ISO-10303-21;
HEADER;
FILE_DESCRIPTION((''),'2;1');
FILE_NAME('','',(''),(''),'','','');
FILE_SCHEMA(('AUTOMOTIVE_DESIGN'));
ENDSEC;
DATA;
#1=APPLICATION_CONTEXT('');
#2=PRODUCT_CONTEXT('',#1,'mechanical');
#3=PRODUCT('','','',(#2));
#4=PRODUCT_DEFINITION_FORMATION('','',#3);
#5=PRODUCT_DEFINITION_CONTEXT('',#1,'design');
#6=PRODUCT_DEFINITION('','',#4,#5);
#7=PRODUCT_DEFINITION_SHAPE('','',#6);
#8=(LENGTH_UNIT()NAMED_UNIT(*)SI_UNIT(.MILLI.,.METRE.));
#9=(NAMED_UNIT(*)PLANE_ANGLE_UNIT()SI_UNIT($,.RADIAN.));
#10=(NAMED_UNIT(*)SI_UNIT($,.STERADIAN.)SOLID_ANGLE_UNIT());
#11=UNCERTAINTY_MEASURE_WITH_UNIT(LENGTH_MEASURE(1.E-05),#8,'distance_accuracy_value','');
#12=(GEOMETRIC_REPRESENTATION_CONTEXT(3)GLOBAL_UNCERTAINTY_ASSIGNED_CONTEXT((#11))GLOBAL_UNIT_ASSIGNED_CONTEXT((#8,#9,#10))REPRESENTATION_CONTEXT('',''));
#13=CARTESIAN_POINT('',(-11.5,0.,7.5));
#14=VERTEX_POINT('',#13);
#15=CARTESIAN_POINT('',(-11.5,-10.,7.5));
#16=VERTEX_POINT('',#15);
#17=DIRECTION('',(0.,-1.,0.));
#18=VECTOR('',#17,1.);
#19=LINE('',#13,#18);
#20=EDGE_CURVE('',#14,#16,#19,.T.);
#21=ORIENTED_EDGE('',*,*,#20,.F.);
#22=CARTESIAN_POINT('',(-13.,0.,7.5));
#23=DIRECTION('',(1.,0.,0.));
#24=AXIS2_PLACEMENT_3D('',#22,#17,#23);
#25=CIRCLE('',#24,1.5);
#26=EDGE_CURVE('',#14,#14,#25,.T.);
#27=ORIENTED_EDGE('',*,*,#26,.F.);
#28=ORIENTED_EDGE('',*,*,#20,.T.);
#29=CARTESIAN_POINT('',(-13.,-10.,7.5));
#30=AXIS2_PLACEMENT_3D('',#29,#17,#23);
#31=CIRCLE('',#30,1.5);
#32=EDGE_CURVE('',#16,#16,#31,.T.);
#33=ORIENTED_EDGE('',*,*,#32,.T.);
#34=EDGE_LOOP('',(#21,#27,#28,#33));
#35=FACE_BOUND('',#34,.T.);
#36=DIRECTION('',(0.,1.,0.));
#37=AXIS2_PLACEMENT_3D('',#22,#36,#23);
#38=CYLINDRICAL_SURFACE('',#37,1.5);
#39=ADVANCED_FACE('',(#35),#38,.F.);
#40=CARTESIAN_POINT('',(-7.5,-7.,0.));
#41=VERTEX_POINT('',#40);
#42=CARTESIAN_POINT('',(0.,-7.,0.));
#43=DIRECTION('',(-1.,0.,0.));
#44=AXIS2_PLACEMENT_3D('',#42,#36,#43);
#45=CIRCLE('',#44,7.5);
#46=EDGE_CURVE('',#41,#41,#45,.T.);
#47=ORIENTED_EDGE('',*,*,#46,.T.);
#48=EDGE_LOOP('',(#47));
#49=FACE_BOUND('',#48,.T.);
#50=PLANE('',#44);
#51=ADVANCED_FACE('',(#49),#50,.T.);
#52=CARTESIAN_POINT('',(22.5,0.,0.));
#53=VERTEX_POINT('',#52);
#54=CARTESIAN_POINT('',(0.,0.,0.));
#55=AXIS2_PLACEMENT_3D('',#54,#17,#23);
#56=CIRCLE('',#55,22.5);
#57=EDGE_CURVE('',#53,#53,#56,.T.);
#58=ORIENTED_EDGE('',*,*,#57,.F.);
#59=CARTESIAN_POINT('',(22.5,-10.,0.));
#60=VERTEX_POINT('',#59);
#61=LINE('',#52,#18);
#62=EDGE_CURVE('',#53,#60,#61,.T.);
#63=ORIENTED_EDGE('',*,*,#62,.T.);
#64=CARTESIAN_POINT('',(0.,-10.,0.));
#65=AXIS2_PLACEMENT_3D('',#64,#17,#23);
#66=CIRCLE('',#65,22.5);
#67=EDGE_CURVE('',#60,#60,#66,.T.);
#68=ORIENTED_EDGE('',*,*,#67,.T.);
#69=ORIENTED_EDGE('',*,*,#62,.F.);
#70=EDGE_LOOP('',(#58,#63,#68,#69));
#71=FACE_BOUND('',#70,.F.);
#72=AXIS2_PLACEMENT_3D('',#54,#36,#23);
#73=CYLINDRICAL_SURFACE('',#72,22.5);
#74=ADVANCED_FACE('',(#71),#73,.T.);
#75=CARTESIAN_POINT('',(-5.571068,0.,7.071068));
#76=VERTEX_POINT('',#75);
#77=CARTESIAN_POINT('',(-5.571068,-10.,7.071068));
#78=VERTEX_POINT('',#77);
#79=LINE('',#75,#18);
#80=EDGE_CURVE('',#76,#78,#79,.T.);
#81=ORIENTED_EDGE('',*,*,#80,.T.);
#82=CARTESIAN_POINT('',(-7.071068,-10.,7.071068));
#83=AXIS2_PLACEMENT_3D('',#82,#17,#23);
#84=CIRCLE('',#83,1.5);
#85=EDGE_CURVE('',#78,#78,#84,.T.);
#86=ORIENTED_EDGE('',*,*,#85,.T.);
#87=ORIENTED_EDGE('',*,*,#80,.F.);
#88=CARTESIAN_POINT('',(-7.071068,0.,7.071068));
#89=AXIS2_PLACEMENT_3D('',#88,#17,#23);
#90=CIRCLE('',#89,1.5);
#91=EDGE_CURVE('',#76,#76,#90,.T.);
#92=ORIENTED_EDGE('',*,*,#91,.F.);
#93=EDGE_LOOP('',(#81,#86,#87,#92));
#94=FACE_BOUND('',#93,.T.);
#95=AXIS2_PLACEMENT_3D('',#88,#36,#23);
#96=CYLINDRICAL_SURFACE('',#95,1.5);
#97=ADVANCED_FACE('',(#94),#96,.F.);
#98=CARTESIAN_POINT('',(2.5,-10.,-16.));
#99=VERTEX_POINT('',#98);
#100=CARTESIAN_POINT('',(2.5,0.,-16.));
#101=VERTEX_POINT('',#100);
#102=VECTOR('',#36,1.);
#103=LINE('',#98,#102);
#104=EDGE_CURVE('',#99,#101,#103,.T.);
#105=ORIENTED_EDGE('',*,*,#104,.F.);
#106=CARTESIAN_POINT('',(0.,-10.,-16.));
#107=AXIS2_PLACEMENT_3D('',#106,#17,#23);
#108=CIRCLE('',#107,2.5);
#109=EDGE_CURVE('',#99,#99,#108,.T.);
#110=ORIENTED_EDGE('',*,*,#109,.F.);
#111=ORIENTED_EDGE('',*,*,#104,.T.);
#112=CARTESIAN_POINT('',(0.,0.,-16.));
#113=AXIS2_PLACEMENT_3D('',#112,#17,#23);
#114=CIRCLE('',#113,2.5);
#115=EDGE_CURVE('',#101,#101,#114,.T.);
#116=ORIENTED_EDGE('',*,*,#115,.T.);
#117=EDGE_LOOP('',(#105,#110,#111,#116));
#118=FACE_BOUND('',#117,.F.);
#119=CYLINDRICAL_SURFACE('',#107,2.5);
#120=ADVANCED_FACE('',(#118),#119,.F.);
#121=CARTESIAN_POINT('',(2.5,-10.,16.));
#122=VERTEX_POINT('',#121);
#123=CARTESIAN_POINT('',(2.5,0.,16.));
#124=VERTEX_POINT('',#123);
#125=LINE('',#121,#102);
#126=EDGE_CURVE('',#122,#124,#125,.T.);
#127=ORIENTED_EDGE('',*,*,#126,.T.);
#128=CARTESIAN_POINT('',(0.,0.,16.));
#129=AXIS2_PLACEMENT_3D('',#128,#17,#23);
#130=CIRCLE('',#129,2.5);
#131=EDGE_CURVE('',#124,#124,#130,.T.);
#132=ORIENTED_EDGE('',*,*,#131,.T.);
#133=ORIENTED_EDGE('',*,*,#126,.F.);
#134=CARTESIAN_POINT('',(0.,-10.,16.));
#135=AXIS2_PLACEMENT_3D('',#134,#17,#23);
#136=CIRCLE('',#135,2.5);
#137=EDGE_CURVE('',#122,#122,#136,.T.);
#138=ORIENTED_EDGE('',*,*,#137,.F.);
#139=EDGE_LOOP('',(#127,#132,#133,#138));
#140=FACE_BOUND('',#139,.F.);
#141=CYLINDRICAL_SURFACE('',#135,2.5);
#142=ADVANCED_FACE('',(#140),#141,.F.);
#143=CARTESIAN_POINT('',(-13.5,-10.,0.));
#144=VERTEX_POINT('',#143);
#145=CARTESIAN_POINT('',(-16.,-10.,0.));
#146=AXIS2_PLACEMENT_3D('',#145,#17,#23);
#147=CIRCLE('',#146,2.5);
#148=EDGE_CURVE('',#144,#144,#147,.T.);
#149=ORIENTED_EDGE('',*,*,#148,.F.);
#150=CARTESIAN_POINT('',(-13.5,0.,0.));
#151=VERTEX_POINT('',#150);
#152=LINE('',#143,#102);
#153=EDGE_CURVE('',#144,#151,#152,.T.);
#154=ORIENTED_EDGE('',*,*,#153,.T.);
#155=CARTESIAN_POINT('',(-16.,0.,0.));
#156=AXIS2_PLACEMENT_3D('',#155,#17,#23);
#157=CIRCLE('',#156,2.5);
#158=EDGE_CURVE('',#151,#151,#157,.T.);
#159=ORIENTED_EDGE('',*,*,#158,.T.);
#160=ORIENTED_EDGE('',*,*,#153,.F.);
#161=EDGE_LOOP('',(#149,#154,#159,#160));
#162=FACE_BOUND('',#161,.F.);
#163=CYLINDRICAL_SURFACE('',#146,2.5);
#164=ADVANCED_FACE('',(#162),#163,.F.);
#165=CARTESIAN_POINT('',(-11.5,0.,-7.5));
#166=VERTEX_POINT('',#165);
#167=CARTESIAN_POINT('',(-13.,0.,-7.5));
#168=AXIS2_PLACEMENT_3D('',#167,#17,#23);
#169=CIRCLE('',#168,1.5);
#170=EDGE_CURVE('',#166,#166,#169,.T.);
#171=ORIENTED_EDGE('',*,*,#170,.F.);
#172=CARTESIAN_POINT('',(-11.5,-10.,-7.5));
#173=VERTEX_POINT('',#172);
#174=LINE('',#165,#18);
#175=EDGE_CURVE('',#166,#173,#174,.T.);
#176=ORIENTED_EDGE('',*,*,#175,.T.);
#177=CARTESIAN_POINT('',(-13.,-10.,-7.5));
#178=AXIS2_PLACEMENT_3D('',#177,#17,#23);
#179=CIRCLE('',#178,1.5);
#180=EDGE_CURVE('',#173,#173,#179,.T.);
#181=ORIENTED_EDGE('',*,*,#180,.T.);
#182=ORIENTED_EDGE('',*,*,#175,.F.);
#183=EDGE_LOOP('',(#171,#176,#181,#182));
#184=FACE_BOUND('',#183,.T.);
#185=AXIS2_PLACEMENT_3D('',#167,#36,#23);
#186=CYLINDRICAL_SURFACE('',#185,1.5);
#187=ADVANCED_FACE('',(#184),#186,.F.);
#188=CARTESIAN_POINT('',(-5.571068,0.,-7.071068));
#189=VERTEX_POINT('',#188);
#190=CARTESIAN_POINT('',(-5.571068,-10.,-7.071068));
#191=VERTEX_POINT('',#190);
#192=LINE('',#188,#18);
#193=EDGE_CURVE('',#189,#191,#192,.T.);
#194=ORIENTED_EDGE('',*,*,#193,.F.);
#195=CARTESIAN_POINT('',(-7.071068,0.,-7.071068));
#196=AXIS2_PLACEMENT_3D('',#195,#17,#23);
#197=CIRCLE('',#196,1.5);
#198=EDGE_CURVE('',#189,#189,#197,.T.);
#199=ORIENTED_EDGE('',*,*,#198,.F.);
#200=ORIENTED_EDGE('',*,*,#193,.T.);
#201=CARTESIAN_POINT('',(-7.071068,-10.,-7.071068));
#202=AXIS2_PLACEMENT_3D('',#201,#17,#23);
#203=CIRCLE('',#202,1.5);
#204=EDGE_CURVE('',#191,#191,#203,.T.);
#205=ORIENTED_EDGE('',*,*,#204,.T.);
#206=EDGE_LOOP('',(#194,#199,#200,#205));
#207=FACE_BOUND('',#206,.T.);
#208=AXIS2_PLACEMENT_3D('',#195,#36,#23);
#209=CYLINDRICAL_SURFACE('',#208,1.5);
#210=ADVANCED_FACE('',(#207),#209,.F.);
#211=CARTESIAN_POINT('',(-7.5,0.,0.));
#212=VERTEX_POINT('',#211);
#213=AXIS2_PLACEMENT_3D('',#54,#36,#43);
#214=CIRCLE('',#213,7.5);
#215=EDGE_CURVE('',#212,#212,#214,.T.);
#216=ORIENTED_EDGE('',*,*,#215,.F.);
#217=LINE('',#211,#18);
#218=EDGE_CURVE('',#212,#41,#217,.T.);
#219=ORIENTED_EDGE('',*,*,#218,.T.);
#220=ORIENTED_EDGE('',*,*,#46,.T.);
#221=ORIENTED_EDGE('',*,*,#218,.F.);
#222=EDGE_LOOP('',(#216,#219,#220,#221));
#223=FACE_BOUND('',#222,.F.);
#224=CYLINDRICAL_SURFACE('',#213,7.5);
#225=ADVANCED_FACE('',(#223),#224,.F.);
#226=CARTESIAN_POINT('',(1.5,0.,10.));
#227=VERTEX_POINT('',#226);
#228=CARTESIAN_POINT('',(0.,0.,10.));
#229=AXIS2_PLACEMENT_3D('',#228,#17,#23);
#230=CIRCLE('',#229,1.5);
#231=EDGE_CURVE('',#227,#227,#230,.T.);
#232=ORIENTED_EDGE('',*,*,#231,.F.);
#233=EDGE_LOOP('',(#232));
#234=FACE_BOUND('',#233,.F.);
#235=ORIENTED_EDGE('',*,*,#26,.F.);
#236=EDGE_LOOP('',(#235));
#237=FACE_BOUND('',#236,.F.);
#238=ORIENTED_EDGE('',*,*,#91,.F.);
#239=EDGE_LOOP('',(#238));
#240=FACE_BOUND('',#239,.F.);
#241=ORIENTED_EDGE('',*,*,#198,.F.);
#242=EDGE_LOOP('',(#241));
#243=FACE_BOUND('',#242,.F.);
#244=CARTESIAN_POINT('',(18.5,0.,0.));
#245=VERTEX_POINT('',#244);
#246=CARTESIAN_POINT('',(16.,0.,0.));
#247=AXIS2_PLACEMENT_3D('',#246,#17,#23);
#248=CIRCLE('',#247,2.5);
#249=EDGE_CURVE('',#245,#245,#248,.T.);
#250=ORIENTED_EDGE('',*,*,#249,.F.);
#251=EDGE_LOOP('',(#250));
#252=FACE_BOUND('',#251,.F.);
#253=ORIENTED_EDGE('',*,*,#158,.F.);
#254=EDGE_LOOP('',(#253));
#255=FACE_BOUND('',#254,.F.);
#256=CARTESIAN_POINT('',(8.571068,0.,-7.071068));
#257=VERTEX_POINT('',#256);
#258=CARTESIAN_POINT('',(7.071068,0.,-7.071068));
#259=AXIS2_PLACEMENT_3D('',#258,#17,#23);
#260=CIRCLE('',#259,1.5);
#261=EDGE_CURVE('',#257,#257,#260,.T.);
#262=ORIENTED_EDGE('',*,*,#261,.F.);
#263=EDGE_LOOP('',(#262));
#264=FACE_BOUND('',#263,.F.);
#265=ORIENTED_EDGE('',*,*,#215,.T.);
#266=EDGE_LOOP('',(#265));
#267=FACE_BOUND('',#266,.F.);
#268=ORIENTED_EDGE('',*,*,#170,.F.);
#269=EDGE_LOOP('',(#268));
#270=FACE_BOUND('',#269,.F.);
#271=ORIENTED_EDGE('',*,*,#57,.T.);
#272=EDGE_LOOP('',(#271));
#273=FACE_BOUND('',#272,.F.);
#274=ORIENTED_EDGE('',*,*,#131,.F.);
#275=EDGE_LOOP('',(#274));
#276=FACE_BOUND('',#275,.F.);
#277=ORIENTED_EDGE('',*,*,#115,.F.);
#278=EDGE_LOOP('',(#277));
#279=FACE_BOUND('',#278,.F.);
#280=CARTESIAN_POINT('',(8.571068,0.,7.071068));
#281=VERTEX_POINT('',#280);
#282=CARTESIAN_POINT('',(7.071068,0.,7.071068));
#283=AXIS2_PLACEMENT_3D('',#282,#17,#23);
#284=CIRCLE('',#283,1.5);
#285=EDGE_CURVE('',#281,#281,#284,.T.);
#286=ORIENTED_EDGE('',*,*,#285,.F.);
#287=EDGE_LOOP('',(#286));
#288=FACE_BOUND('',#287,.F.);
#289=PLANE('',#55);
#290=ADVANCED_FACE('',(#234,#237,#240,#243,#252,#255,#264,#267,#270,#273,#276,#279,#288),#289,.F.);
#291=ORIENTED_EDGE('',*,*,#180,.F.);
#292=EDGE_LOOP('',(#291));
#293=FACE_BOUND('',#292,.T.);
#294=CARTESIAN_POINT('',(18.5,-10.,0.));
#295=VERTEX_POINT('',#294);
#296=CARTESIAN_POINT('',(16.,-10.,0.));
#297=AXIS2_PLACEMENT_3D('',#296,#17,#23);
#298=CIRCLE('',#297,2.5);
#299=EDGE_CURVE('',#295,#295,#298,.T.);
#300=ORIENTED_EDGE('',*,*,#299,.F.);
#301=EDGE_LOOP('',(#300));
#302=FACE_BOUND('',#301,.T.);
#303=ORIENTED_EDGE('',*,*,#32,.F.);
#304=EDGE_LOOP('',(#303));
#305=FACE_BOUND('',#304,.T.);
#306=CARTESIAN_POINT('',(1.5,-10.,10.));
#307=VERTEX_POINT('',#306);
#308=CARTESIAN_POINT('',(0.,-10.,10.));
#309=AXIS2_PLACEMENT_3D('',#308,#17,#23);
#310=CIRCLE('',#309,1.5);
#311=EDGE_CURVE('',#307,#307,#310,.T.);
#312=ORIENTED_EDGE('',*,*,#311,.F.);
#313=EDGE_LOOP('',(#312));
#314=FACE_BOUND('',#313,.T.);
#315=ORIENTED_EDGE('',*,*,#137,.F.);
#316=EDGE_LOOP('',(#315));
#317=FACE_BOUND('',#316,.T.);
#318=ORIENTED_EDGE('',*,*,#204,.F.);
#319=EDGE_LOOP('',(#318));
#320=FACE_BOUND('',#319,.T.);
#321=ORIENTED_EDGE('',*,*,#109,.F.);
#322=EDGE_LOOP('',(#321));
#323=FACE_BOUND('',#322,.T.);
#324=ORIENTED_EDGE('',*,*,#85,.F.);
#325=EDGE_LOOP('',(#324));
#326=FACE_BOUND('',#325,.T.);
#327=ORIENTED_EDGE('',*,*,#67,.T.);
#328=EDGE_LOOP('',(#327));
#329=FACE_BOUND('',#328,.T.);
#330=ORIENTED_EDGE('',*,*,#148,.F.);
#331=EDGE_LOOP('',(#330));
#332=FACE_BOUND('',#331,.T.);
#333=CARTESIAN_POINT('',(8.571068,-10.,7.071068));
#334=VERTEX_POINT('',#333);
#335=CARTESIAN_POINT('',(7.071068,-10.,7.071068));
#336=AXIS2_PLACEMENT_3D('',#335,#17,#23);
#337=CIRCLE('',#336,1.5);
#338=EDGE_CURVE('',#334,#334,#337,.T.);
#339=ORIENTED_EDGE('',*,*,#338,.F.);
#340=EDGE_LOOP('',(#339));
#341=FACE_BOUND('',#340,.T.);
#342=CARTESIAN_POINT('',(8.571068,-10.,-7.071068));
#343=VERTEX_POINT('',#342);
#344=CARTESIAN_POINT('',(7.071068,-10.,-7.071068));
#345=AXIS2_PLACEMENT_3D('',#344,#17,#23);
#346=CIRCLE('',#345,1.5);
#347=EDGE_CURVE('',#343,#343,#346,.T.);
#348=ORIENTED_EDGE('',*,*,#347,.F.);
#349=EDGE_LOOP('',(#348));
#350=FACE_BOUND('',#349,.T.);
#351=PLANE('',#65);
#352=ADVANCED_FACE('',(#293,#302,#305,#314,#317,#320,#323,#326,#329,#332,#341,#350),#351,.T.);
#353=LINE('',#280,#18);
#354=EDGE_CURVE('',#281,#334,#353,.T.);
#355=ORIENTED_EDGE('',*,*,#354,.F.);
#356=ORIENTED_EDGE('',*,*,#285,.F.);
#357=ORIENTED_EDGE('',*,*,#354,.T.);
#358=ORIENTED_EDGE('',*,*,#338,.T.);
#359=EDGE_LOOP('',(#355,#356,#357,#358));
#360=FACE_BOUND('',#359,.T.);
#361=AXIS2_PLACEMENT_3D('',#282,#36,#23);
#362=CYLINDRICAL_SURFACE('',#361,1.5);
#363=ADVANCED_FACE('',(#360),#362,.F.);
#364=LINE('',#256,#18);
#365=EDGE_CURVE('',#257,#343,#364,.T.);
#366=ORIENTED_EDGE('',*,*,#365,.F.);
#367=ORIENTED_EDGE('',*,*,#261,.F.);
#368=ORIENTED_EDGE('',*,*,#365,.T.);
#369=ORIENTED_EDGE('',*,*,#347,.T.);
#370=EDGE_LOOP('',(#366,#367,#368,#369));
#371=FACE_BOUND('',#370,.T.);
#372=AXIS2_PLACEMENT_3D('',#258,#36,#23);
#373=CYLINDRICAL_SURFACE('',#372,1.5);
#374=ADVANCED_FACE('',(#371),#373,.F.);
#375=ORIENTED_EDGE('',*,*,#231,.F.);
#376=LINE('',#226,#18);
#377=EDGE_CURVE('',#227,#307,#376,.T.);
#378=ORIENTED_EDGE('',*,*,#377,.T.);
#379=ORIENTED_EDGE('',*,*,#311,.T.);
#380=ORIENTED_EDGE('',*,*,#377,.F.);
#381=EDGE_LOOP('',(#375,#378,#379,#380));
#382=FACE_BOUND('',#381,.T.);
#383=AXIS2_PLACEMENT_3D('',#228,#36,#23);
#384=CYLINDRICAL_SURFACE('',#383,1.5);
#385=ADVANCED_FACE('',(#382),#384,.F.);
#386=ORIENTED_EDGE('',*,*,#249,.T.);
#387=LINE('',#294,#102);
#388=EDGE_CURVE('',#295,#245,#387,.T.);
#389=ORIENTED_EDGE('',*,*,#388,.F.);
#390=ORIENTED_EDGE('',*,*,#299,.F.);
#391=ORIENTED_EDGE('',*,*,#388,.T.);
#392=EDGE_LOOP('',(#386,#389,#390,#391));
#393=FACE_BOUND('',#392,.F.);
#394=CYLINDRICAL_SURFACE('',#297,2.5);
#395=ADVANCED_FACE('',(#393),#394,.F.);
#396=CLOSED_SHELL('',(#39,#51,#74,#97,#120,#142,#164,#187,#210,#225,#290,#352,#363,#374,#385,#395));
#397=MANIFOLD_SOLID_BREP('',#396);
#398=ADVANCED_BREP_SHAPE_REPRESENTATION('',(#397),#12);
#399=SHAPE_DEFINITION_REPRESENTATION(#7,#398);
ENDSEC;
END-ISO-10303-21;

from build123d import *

# Parameters (mm, degrees)
F0_R     = 22.5
F0_R_2   = 1.5
F1_DEPTH = 10
F2_R     = 7.5
F3_DEPTH = 7
F4_R     = 2.5
F5_DEPTH = 25


with BuildPart() as f1:
    # F0 (on Front) → F1 (new body)
    with BuildSketch(Plane.XZ):
        Circle(F0_R)
        with Locations((-13, -7.5)):
            Circle(F0_R_2, mode=Mode.SUBTRACT)
        with Locations((-7.071068, -7.071068)):
            Circle(F0_R_2, mode=Mode.SUBTRACT)
        with Locations((7.071068, -7.071068)):
            Circle(F0_R_2, mode=Mode.SUBTRACT)
        with Locations((-13, 7.5)):
            Circle(F0_R_2, mode=Mode.SUBTRACT)
        with Locations((-7.071068, 7.071068)):
            Circle(F0_R_2, mode=Mode.SUBTRACT)
        with Locations((0, 10)):
            Circle(F0_R_2, mode=Mode.SUBTRACT)
        with Locations((7.071068, 7.071068)):
            Circle(F0_R_2, mode=Mode.SUBTRACT)
    extrude(amount=F1_DEPTH)

    # F2 (on face) → F3 (cut)
    with BuildSketch(Plane(origin=(0, 0, 0), x_dir=(-1, 0, 0), z_dir=(0, 1, 0))):
        Circle(F2_R)
    extrude(amount=-F3_DEPTH, mode=Mode.SUBTRACT)

    # F4 (on face) → F5 (cut)
    with BuildSketch(Plane.XZ.offset(10)):
        with Locations((0, 16)):
            Circle(F4_R)
        with Locations((16, 0)):
            Circle(F4_R)
        with Locations((0, -16)):
            Circle(F4_R)
        with Locations((-16, 0)):
            Circle(F4_R)
    extrude(amount=-F5_DEPTH, mode=Mode.SUBTRACT)


solid = f1.part
